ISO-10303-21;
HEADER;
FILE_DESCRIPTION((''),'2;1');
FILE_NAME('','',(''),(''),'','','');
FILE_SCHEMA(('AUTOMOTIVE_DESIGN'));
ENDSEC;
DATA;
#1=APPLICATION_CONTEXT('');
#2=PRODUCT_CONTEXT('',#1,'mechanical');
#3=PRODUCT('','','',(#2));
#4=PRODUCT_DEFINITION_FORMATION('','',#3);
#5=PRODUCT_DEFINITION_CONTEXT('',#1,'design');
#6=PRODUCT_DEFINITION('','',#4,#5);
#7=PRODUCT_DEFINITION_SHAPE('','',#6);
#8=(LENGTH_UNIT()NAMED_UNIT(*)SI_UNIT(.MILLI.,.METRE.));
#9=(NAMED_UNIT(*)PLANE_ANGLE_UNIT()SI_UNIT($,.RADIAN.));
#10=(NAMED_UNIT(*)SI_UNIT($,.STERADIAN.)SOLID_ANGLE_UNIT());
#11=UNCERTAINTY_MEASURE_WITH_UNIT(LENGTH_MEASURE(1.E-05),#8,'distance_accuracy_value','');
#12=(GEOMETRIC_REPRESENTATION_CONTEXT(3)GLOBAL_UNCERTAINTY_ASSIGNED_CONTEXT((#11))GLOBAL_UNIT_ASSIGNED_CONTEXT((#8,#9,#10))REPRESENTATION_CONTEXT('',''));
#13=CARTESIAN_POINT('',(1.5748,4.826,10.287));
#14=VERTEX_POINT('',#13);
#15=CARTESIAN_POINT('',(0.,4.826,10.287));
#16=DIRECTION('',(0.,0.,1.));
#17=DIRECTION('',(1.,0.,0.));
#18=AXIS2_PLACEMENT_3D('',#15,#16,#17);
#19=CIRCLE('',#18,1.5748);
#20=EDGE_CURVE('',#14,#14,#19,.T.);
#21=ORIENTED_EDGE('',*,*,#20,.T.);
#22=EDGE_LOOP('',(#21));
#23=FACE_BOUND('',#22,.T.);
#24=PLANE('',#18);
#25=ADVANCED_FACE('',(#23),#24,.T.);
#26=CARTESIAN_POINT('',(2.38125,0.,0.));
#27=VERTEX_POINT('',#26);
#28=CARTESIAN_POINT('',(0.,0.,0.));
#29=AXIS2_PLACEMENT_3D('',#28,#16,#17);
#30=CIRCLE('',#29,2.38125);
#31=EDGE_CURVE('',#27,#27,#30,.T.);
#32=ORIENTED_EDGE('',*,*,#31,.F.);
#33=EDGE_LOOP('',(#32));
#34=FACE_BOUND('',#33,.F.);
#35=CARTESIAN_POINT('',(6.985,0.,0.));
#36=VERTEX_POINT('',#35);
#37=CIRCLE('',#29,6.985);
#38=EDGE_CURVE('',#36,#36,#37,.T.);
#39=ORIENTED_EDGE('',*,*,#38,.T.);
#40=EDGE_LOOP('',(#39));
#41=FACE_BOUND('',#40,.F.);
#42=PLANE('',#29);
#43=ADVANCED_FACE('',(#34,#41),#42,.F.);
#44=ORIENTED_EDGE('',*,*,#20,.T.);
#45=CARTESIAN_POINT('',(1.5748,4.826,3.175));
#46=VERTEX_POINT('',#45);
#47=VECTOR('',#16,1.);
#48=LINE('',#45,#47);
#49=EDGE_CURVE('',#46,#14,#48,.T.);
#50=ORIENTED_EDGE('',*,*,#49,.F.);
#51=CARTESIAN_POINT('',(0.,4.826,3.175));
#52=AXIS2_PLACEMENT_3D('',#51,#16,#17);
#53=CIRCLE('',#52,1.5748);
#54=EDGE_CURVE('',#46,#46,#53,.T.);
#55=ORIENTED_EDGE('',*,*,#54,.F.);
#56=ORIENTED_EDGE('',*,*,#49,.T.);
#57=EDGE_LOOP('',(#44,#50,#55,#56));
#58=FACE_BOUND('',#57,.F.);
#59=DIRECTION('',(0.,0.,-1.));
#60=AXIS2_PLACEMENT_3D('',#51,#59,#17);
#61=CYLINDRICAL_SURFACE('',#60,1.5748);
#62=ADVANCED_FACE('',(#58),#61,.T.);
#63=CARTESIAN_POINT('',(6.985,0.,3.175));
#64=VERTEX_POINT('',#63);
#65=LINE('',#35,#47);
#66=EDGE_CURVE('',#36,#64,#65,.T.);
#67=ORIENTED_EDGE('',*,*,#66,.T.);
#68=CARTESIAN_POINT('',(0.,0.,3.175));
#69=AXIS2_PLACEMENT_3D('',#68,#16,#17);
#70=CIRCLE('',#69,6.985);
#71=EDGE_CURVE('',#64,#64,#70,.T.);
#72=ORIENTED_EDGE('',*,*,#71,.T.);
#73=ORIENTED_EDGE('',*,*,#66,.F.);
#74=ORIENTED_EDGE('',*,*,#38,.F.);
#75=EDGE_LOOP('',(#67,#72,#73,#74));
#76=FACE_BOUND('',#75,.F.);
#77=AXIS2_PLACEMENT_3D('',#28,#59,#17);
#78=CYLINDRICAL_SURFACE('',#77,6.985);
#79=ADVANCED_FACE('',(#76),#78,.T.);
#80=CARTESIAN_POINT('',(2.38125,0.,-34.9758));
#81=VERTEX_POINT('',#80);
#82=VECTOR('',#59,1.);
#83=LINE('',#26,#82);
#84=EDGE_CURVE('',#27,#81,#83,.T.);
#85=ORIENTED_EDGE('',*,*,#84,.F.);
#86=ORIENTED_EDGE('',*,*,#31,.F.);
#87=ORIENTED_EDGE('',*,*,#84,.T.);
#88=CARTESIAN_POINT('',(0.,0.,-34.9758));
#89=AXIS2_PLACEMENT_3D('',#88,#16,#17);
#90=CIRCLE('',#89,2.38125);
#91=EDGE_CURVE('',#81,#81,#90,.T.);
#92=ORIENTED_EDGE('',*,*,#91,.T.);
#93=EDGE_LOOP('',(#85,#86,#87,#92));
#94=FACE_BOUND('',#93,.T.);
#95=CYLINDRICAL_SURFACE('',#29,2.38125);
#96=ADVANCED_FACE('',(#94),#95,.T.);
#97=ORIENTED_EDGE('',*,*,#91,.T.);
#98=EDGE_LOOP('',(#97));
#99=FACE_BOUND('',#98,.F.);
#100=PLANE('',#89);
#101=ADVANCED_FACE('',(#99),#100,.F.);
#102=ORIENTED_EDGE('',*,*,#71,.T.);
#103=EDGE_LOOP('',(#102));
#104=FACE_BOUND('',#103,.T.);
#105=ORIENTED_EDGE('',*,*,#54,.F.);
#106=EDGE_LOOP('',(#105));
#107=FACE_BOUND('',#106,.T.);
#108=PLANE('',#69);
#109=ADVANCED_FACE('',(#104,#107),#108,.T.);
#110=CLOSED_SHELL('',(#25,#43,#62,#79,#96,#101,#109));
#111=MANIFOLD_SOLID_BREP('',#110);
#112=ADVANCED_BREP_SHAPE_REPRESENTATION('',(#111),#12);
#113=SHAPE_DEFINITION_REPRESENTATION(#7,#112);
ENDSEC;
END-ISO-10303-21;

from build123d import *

# Parameters (mm, degrees)
F0_R     = 6.985
F1_DEPTH = 3.175
F2_R     = 2.38125
F3_DEPTH = 34.9758
F4_R     = 1.5748
F5_DEPTH = 7.112


with BuildPart() as f1:
    # F0 (on Top) → F1 (new body)
    with BuildSketch(Plane.XY):
        Circle(F0_R)
    extrude(amount=F1_DEPTH)

    # F2 (on face) → F3 (join)
    with BuildSketch(Plane.XY):
        Circle(F2_R)
    extrude(amount=-F3_DEPTH)

    # F4 (on face) → F5 (join)
    with BuildSketch(Plane.XY.offset(3.175)):
        with Locations((0, 4.826)):
            Circle(F4_R)
    extrude(amount=F5_DEPTH)


solid = f1.part
